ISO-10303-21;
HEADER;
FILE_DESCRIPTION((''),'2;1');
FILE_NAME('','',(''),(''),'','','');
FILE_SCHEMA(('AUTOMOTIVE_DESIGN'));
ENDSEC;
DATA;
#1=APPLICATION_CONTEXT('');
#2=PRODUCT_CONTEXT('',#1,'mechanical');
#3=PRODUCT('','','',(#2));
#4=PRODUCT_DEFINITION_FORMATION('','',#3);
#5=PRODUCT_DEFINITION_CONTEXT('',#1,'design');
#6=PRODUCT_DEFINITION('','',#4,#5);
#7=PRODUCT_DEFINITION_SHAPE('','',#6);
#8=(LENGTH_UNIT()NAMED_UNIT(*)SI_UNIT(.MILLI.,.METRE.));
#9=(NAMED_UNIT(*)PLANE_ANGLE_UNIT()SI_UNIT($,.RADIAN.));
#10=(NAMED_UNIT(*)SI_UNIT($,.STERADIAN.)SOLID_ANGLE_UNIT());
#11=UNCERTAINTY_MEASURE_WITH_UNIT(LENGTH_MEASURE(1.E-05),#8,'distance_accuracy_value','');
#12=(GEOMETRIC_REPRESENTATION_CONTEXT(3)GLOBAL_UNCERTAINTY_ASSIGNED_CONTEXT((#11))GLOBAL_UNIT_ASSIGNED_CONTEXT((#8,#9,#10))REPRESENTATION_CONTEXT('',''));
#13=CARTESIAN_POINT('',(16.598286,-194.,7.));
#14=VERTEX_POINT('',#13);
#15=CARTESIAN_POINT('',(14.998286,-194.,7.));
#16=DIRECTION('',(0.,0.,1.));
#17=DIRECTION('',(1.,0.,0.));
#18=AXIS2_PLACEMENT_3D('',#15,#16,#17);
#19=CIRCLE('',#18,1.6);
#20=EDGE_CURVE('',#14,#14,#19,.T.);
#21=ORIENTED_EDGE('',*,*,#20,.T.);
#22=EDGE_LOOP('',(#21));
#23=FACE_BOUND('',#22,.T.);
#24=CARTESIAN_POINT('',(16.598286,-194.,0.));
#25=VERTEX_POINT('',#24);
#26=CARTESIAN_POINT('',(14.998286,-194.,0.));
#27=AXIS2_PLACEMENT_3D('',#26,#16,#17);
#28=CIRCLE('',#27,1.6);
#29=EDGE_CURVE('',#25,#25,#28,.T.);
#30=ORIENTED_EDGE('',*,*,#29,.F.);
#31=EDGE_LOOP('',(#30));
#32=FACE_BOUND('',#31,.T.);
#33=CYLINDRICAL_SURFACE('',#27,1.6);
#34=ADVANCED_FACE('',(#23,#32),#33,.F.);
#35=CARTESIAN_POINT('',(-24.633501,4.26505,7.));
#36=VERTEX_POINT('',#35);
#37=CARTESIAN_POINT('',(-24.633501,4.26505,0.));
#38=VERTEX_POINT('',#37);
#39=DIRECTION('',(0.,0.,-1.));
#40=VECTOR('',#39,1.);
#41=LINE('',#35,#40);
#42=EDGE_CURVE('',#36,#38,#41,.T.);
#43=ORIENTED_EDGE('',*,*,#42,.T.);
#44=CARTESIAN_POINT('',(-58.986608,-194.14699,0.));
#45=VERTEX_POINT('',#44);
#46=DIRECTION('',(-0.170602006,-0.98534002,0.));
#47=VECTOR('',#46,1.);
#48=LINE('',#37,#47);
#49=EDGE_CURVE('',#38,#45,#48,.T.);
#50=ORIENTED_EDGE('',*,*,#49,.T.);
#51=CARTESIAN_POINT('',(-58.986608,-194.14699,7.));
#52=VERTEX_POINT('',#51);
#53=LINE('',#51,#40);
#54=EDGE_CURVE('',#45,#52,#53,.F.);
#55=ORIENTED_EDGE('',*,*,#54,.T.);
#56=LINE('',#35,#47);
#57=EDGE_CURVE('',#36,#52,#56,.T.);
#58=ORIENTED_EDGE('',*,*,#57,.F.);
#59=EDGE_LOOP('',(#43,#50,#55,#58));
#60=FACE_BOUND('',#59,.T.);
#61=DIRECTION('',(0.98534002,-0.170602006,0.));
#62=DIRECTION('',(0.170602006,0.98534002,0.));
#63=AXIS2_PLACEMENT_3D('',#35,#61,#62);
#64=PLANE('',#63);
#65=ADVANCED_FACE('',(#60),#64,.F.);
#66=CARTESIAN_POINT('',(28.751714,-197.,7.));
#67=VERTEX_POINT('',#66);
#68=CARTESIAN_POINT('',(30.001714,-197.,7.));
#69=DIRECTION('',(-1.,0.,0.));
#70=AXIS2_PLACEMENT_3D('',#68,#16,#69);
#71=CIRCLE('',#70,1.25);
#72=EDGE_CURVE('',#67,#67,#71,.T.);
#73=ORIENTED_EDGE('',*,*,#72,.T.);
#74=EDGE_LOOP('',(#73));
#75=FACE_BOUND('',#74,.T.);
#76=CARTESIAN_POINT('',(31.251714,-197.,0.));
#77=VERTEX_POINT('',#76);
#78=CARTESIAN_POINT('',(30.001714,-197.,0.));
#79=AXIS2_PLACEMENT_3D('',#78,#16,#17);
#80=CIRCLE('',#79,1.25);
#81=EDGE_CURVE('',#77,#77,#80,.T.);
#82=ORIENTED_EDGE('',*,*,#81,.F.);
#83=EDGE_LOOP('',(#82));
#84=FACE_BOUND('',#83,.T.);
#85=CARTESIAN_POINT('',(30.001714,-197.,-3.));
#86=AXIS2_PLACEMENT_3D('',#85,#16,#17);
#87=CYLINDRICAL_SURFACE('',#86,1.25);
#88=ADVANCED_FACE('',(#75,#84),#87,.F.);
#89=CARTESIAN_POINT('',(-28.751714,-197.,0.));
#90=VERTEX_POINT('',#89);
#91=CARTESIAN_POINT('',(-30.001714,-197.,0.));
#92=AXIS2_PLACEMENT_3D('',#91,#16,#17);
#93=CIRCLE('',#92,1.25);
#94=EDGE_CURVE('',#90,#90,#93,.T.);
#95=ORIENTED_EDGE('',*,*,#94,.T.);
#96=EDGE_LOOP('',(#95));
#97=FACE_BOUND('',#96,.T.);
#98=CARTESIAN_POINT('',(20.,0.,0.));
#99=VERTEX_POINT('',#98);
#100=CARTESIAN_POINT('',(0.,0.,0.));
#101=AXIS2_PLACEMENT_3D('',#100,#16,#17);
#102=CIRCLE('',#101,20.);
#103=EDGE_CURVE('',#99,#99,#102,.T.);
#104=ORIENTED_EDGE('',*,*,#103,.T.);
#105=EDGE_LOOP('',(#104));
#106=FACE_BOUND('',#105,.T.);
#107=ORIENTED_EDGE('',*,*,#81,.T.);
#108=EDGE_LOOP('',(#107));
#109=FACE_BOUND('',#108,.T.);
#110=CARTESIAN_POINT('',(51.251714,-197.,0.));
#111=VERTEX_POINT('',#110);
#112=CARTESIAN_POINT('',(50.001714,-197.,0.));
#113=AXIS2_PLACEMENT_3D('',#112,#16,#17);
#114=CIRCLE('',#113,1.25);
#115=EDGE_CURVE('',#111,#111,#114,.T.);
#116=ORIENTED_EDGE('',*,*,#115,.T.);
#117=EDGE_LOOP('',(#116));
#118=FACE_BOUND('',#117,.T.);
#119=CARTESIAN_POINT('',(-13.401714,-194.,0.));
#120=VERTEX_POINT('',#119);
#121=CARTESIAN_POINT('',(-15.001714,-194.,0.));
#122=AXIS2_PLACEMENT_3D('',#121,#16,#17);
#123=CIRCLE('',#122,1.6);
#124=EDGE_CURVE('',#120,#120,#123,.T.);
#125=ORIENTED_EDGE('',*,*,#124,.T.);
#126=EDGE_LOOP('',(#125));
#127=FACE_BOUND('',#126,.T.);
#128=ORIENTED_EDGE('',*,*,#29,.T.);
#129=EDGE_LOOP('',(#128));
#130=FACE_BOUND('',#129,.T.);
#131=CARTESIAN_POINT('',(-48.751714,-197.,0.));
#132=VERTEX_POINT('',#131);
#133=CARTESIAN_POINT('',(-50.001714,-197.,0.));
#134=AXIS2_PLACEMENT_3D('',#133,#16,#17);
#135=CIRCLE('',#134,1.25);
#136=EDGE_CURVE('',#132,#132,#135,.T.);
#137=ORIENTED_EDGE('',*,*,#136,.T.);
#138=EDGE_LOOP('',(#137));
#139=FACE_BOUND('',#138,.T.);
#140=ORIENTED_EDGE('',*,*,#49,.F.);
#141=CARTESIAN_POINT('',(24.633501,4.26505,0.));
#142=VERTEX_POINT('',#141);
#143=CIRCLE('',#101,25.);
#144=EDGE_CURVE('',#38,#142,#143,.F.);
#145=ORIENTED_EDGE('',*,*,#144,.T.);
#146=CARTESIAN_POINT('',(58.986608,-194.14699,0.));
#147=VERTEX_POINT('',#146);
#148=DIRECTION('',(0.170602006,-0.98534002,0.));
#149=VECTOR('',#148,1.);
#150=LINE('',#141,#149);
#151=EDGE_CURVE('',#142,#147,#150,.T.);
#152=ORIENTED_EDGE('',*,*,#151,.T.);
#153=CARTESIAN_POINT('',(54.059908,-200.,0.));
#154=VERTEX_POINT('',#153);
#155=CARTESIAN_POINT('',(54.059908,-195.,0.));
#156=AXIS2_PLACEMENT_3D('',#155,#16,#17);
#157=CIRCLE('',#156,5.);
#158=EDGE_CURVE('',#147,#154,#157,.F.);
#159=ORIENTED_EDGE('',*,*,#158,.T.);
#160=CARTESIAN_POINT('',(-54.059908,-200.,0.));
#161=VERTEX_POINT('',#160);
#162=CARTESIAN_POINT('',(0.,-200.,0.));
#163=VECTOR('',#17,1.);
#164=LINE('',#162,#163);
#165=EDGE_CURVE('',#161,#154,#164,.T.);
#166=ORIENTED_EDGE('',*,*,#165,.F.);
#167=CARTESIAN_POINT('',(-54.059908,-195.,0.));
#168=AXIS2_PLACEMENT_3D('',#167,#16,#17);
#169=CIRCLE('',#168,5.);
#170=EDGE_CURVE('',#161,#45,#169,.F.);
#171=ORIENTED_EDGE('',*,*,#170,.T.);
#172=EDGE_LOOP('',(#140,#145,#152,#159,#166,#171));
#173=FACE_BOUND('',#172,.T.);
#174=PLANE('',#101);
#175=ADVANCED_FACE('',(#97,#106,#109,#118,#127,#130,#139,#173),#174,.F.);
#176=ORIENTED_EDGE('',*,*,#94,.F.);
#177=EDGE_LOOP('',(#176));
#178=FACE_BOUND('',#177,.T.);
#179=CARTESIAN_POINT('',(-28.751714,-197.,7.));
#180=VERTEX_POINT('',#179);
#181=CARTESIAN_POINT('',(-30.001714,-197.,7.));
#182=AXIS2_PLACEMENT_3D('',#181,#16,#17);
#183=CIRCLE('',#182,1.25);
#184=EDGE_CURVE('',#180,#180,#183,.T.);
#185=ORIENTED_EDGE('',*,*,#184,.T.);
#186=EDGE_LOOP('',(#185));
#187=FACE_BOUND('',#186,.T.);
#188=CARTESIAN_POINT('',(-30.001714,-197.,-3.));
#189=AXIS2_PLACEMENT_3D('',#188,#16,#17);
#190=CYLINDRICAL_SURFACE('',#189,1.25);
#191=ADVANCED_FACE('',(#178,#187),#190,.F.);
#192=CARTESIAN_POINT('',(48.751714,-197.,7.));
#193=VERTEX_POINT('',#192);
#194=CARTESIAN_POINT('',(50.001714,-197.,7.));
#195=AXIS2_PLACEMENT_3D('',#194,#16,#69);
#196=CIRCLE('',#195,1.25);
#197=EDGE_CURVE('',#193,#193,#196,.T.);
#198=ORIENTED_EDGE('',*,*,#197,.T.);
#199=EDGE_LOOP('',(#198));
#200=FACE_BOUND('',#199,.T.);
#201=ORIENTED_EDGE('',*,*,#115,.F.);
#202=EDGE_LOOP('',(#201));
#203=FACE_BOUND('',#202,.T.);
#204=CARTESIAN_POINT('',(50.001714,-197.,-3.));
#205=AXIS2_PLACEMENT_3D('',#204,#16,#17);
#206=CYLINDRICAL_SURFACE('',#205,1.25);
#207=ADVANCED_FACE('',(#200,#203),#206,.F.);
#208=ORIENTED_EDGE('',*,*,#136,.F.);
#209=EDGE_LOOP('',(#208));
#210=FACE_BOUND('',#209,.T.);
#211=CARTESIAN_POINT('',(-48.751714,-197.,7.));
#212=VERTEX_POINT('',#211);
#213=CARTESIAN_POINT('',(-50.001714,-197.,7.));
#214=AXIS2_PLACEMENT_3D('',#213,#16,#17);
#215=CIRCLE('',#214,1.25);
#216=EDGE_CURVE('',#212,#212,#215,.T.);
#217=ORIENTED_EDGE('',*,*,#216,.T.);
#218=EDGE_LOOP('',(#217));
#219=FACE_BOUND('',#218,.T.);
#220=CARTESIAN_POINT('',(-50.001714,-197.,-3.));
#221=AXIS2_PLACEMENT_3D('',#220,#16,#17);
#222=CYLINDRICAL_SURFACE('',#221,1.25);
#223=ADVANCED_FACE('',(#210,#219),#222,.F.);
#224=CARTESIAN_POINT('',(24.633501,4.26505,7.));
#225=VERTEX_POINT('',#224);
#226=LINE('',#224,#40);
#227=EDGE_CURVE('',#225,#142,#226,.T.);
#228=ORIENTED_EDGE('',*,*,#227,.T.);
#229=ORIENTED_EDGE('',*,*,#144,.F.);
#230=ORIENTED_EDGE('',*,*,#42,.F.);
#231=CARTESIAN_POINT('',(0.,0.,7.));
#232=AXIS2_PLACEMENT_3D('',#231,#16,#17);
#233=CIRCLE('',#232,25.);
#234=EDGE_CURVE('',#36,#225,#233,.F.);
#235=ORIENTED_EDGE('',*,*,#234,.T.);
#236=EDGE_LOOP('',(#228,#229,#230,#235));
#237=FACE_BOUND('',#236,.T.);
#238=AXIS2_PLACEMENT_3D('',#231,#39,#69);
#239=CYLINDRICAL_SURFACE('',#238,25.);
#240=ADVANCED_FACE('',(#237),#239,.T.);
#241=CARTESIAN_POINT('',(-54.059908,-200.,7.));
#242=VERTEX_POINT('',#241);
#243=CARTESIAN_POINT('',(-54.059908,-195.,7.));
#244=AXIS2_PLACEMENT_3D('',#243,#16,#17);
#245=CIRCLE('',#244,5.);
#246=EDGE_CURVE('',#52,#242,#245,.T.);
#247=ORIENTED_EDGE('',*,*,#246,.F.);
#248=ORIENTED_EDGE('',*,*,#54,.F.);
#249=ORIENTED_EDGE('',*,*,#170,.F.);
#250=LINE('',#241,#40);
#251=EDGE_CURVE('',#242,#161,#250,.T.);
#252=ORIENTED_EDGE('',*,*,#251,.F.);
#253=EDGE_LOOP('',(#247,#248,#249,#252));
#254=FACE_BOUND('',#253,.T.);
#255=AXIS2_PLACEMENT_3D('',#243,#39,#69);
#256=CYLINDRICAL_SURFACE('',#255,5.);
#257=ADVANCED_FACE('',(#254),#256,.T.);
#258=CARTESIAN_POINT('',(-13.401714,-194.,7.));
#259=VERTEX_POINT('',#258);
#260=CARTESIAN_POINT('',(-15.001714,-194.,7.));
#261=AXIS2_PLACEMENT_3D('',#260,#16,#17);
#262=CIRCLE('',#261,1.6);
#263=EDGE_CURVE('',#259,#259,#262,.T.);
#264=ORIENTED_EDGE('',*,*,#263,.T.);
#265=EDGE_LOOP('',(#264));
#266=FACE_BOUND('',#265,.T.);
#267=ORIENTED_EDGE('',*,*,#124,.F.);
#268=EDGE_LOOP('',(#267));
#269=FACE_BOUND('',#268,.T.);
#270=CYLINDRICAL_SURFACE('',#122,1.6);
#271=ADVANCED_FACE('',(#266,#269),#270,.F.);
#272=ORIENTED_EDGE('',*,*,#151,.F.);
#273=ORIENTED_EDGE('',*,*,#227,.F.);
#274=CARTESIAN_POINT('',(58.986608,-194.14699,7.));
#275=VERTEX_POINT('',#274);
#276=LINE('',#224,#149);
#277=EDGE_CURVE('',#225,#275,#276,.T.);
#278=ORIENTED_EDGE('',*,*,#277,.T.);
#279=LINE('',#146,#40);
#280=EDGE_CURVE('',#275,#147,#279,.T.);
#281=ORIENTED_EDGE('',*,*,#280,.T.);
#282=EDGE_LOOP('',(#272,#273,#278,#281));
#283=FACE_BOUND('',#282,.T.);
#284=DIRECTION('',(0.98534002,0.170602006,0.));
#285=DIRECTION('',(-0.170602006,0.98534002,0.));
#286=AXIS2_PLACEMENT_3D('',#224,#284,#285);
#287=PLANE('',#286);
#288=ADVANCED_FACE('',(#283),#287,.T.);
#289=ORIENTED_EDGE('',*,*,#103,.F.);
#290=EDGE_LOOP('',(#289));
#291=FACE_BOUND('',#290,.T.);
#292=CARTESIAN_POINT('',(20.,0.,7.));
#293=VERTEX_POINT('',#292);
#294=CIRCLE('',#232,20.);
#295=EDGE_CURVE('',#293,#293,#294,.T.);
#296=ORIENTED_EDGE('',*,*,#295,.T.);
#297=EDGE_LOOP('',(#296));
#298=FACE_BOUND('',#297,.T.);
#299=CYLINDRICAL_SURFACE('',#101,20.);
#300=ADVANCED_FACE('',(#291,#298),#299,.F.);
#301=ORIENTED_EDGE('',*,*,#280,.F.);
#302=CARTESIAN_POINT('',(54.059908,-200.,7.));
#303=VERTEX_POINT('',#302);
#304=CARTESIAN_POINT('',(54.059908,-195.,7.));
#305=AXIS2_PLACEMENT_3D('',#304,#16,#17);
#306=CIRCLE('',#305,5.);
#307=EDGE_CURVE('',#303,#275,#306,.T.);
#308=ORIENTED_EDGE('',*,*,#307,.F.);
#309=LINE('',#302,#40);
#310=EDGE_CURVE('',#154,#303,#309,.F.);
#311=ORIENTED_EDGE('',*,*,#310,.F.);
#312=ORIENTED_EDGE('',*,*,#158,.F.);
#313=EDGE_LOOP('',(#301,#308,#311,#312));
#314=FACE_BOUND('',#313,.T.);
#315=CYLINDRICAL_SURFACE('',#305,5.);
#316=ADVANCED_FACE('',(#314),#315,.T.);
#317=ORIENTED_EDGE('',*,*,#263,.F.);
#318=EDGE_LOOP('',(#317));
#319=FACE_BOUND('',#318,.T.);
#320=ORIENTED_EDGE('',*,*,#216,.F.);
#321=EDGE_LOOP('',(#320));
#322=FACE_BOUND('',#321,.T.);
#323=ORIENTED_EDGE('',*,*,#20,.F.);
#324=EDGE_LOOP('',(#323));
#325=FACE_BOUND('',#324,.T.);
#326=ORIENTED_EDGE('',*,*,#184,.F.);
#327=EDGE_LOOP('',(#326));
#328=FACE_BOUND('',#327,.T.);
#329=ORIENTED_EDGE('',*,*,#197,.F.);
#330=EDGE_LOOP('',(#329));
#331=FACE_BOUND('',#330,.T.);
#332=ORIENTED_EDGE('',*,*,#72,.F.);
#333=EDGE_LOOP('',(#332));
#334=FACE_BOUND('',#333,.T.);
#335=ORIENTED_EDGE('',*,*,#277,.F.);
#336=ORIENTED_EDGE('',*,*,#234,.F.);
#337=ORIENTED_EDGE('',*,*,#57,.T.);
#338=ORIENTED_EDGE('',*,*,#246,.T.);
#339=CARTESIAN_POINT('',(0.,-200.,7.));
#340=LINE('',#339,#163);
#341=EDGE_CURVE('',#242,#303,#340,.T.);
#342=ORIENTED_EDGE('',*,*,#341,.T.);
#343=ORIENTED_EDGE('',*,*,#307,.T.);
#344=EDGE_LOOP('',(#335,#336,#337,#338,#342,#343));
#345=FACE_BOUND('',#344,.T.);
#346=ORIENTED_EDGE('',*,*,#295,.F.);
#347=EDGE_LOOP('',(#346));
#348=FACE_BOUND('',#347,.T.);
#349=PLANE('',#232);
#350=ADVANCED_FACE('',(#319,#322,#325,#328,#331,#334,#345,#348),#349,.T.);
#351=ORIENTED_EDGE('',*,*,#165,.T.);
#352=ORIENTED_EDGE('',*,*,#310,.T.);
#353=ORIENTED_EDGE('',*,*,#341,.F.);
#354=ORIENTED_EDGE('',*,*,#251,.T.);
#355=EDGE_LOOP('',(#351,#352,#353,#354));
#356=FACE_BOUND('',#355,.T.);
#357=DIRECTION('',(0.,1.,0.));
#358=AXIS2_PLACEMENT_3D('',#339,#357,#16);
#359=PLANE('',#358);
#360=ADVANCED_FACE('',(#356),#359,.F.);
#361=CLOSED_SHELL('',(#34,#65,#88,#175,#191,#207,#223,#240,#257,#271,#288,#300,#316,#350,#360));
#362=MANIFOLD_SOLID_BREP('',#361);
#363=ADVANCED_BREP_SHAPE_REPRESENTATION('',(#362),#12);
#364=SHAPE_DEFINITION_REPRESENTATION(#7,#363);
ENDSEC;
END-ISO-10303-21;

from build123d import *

# Parameters (mm, degrees)
EXTRUDE_1_DEPTH     = 7
SKETCH_2_R          = 20
CUT_EXTRUDE_1_DEPTH = 7
SKETCH_3_R          = 1.6
CUT_EXTRUDE_2_DEPTH = 7
FILLET_1_R          = 5
SKETCH_4_R          = 1.25
CUT_EXTRUDE_3_DEPTH = 10


with BuildPart() as part:
    # 草图1 → 凸台-拉伸1 (new body)
    with BuildSketch(Plane.XY):
        with BuildLine():
            ThreePointArc((-24.633500506, 4.265050152), (0, 25), (24.633500506, 4.265050152))
            Line((24.633500506, 4.265050152), (60, -200))
            Line((60, -200), (-60, -200))
            Line((-60, -200), (-24.633500506, 4.265050152))
        make_face()
    extrude(amount=EXTRUDE_1_DEPTH)

    # 草图2 → 切除-拉伸1 (cut)
    with BuildSketch(Plane.XY.offset(7)):
        Circle(SKETCH_2_R)
    extrude(amount=-CUT_EXTRUDE_1_DEPTH, mode=Mode.SUBTRACT)

    # 草图3 → 切除-拉伸2 (cut)
    with BuildSketch(Plane.XY.offset(7)):
        with Locations((-15.001714002, -194)):
            Circle(SKETCH_3_R)
        with Locations((14.998285998, -194)):
            Circle(SKETCH_3_R)
    extrude(amount=-CUT_EXTRUDE_2_DEPTH, mode=Mode.SUBTRACT)

    # 圆角1
    fillet_1_edges = [part.edges().sort_by_distance(p)[0] for p in [
        (60, -200, 3.5),
        (-60, -200, 3.5),
    ]]
    fillet(fillet_1_edges, radius=FILLET_1_R)

    # 草图4 → 切除-拉伸3 (cut)
    with BuildSketch(Plane.XY.offset(7)):
        with Locations((-50.001714002, -197)):
            Circle(SKETCH_4_R)
        with Locations((-30.001714002, -197)):
            Circle(SKETCH_4_R)
        with Locations((30.001714002, -197)):
            Circle(SKETCH_4_R)
        with Locations((50.001714002, -197)):
            Circle(SKETCH_4_R)
    extrude(amount=-CUT_EXTRUDE_3_DEPTH, mode=Mode.SUBTRACT)


solid = part.part
